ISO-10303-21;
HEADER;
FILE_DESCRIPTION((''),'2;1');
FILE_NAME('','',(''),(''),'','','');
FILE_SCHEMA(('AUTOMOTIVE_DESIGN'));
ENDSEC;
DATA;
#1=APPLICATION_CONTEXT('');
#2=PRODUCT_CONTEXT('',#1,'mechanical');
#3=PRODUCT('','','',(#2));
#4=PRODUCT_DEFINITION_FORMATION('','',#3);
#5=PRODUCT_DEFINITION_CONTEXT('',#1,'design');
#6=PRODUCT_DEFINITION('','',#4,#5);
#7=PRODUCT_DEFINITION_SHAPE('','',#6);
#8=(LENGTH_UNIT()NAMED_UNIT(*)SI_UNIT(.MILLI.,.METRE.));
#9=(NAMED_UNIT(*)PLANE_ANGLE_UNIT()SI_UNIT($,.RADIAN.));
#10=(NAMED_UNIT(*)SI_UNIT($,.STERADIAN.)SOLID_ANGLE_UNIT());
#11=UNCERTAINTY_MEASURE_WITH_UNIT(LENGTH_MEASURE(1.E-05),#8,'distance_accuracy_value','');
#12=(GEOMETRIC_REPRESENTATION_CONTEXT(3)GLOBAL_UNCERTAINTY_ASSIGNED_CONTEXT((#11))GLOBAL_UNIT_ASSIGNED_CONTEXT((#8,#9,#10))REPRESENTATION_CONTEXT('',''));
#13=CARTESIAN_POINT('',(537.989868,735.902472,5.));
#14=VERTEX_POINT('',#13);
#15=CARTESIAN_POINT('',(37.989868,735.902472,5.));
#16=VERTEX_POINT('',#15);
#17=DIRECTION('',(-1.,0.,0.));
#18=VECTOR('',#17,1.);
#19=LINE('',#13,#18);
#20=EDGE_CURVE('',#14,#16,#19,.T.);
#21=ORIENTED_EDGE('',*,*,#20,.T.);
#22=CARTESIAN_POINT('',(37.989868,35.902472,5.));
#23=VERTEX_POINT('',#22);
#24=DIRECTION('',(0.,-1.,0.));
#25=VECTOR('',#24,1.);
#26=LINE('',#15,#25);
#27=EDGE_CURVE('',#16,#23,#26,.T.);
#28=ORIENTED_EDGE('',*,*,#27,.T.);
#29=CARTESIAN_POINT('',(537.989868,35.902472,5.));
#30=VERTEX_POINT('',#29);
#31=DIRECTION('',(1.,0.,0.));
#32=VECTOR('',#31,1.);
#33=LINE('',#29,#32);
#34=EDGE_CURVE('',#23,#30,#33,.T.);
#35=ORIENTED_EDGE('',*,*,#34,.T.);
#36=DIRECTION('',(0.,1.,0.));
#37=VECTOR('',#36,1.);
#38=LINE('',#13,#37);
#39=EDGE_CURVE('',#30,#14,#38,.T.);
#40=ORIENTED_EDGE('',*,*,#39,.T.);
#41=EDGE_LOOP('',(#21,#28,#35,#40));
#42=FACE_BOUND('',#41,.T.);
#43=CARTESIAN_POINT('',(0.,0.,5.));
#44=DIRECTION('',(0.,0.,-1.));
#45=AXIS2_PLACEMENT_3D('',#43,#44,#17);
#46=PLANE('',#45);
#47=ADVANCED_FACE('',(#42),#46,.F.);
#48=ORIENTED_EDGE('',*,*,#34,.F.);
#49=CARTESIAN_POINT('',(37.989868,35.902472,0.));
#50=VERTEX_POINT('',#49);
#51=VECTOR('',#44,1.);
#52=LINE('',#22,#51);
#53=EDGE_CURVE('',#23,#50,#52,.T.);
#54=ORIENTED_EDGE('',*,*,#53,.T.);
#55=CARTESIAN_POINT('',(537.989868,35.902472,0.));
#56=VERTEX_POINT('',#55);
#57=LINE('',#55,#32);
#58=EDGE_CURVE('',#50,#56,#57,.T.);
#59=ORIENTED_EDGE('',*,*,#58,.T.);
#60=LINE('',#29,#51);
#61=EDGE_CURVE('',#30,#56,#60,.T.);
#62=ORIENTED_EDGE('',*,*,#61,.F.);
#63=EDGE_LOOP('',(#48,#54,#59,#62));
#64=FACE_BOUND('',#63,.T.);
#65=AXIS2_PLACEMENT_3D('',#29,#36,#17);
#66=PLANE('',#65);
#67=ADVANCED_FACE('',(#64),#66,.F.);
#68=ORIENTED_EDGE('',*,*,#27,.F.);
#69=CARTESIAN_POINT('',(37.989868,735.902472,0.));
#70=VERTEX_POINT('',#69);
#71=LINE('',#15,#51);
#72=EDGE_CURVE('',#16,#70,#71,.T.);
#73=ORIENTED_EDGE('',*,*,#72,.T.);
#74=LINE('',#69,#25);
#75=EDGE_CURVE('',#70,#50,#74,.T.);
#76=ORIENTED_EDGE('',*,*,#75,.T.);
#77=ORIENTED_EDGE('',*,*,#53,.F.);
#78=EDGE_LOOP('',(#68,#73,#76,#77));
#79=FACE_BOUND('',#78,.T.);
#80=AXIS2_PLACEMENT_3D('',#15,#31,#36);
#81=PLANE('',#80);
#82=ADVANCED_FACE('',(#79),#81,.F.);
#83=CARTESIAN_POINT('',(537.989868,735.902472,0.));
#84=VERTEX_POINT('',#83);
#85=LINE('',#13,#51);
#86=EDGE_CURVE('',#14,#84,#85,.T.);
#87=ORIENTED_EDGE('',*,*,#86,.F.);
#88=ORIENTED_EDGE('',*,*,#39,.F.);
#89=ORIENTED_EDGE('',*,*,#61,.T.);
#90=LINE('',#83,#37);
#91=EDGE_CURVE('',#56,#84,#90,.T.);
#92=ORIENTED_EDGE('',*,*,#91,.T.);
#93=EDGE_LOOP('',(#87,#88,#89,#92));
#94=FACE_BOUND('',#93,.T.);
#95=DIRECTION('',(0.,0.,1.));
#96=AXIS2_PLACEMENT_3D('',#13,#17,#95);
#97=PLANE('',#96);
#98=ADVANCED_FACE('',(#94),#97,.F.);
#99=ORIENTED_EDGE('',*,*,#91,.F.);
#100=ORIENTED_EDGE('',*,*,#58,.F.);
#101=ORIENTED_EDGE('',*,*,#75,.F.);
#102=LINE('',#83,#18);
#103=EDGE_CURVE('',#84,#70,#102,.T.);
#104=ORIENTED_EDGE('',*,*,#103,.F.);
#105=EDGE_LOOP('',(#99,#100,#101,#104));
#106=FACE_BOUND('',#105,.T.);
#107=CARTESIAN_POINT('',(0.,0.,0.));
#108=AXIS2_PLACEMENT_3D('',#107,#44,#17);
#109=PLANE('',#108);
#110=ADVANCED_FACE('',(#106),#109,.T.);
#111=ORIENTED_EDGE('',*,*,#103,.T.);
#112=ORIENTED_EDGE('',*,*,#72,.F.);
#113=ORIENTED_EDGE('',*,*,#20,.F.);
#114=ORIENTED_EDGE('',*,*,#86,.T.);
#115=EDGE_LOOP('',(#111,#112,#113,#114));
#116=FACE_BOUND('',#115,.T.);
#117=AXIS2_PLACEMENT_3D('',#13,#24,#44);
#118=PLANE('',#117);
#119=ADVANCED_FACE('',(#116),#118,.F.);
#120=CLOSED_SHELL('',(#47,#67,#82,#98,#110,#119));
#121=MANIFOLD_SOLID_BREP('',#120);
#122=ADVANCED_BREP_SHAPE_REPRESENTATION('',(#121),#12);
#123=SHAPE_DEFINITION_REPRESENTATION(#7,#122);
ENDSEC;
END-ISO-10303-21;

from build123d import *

# Parameters (mm, degrees)
CROQUIS1_W              = 500
CROQUIS1_H              = 700
SALIENTE_EXTRUIR1_DEPTH = 5


with BuildPart() as part:
    # Croquis1 → Saliente-Extruir1 (new body)
    with BuildSketch(Plane.XY):
        with Locations((287.989868277, 385.90247191)):
            Rectangle(CROQUIS1_W, CROQUIS1_H)
    extrude(amount=SALIENTE_EXTRUIR1_DEPTH)


solid = part.part
